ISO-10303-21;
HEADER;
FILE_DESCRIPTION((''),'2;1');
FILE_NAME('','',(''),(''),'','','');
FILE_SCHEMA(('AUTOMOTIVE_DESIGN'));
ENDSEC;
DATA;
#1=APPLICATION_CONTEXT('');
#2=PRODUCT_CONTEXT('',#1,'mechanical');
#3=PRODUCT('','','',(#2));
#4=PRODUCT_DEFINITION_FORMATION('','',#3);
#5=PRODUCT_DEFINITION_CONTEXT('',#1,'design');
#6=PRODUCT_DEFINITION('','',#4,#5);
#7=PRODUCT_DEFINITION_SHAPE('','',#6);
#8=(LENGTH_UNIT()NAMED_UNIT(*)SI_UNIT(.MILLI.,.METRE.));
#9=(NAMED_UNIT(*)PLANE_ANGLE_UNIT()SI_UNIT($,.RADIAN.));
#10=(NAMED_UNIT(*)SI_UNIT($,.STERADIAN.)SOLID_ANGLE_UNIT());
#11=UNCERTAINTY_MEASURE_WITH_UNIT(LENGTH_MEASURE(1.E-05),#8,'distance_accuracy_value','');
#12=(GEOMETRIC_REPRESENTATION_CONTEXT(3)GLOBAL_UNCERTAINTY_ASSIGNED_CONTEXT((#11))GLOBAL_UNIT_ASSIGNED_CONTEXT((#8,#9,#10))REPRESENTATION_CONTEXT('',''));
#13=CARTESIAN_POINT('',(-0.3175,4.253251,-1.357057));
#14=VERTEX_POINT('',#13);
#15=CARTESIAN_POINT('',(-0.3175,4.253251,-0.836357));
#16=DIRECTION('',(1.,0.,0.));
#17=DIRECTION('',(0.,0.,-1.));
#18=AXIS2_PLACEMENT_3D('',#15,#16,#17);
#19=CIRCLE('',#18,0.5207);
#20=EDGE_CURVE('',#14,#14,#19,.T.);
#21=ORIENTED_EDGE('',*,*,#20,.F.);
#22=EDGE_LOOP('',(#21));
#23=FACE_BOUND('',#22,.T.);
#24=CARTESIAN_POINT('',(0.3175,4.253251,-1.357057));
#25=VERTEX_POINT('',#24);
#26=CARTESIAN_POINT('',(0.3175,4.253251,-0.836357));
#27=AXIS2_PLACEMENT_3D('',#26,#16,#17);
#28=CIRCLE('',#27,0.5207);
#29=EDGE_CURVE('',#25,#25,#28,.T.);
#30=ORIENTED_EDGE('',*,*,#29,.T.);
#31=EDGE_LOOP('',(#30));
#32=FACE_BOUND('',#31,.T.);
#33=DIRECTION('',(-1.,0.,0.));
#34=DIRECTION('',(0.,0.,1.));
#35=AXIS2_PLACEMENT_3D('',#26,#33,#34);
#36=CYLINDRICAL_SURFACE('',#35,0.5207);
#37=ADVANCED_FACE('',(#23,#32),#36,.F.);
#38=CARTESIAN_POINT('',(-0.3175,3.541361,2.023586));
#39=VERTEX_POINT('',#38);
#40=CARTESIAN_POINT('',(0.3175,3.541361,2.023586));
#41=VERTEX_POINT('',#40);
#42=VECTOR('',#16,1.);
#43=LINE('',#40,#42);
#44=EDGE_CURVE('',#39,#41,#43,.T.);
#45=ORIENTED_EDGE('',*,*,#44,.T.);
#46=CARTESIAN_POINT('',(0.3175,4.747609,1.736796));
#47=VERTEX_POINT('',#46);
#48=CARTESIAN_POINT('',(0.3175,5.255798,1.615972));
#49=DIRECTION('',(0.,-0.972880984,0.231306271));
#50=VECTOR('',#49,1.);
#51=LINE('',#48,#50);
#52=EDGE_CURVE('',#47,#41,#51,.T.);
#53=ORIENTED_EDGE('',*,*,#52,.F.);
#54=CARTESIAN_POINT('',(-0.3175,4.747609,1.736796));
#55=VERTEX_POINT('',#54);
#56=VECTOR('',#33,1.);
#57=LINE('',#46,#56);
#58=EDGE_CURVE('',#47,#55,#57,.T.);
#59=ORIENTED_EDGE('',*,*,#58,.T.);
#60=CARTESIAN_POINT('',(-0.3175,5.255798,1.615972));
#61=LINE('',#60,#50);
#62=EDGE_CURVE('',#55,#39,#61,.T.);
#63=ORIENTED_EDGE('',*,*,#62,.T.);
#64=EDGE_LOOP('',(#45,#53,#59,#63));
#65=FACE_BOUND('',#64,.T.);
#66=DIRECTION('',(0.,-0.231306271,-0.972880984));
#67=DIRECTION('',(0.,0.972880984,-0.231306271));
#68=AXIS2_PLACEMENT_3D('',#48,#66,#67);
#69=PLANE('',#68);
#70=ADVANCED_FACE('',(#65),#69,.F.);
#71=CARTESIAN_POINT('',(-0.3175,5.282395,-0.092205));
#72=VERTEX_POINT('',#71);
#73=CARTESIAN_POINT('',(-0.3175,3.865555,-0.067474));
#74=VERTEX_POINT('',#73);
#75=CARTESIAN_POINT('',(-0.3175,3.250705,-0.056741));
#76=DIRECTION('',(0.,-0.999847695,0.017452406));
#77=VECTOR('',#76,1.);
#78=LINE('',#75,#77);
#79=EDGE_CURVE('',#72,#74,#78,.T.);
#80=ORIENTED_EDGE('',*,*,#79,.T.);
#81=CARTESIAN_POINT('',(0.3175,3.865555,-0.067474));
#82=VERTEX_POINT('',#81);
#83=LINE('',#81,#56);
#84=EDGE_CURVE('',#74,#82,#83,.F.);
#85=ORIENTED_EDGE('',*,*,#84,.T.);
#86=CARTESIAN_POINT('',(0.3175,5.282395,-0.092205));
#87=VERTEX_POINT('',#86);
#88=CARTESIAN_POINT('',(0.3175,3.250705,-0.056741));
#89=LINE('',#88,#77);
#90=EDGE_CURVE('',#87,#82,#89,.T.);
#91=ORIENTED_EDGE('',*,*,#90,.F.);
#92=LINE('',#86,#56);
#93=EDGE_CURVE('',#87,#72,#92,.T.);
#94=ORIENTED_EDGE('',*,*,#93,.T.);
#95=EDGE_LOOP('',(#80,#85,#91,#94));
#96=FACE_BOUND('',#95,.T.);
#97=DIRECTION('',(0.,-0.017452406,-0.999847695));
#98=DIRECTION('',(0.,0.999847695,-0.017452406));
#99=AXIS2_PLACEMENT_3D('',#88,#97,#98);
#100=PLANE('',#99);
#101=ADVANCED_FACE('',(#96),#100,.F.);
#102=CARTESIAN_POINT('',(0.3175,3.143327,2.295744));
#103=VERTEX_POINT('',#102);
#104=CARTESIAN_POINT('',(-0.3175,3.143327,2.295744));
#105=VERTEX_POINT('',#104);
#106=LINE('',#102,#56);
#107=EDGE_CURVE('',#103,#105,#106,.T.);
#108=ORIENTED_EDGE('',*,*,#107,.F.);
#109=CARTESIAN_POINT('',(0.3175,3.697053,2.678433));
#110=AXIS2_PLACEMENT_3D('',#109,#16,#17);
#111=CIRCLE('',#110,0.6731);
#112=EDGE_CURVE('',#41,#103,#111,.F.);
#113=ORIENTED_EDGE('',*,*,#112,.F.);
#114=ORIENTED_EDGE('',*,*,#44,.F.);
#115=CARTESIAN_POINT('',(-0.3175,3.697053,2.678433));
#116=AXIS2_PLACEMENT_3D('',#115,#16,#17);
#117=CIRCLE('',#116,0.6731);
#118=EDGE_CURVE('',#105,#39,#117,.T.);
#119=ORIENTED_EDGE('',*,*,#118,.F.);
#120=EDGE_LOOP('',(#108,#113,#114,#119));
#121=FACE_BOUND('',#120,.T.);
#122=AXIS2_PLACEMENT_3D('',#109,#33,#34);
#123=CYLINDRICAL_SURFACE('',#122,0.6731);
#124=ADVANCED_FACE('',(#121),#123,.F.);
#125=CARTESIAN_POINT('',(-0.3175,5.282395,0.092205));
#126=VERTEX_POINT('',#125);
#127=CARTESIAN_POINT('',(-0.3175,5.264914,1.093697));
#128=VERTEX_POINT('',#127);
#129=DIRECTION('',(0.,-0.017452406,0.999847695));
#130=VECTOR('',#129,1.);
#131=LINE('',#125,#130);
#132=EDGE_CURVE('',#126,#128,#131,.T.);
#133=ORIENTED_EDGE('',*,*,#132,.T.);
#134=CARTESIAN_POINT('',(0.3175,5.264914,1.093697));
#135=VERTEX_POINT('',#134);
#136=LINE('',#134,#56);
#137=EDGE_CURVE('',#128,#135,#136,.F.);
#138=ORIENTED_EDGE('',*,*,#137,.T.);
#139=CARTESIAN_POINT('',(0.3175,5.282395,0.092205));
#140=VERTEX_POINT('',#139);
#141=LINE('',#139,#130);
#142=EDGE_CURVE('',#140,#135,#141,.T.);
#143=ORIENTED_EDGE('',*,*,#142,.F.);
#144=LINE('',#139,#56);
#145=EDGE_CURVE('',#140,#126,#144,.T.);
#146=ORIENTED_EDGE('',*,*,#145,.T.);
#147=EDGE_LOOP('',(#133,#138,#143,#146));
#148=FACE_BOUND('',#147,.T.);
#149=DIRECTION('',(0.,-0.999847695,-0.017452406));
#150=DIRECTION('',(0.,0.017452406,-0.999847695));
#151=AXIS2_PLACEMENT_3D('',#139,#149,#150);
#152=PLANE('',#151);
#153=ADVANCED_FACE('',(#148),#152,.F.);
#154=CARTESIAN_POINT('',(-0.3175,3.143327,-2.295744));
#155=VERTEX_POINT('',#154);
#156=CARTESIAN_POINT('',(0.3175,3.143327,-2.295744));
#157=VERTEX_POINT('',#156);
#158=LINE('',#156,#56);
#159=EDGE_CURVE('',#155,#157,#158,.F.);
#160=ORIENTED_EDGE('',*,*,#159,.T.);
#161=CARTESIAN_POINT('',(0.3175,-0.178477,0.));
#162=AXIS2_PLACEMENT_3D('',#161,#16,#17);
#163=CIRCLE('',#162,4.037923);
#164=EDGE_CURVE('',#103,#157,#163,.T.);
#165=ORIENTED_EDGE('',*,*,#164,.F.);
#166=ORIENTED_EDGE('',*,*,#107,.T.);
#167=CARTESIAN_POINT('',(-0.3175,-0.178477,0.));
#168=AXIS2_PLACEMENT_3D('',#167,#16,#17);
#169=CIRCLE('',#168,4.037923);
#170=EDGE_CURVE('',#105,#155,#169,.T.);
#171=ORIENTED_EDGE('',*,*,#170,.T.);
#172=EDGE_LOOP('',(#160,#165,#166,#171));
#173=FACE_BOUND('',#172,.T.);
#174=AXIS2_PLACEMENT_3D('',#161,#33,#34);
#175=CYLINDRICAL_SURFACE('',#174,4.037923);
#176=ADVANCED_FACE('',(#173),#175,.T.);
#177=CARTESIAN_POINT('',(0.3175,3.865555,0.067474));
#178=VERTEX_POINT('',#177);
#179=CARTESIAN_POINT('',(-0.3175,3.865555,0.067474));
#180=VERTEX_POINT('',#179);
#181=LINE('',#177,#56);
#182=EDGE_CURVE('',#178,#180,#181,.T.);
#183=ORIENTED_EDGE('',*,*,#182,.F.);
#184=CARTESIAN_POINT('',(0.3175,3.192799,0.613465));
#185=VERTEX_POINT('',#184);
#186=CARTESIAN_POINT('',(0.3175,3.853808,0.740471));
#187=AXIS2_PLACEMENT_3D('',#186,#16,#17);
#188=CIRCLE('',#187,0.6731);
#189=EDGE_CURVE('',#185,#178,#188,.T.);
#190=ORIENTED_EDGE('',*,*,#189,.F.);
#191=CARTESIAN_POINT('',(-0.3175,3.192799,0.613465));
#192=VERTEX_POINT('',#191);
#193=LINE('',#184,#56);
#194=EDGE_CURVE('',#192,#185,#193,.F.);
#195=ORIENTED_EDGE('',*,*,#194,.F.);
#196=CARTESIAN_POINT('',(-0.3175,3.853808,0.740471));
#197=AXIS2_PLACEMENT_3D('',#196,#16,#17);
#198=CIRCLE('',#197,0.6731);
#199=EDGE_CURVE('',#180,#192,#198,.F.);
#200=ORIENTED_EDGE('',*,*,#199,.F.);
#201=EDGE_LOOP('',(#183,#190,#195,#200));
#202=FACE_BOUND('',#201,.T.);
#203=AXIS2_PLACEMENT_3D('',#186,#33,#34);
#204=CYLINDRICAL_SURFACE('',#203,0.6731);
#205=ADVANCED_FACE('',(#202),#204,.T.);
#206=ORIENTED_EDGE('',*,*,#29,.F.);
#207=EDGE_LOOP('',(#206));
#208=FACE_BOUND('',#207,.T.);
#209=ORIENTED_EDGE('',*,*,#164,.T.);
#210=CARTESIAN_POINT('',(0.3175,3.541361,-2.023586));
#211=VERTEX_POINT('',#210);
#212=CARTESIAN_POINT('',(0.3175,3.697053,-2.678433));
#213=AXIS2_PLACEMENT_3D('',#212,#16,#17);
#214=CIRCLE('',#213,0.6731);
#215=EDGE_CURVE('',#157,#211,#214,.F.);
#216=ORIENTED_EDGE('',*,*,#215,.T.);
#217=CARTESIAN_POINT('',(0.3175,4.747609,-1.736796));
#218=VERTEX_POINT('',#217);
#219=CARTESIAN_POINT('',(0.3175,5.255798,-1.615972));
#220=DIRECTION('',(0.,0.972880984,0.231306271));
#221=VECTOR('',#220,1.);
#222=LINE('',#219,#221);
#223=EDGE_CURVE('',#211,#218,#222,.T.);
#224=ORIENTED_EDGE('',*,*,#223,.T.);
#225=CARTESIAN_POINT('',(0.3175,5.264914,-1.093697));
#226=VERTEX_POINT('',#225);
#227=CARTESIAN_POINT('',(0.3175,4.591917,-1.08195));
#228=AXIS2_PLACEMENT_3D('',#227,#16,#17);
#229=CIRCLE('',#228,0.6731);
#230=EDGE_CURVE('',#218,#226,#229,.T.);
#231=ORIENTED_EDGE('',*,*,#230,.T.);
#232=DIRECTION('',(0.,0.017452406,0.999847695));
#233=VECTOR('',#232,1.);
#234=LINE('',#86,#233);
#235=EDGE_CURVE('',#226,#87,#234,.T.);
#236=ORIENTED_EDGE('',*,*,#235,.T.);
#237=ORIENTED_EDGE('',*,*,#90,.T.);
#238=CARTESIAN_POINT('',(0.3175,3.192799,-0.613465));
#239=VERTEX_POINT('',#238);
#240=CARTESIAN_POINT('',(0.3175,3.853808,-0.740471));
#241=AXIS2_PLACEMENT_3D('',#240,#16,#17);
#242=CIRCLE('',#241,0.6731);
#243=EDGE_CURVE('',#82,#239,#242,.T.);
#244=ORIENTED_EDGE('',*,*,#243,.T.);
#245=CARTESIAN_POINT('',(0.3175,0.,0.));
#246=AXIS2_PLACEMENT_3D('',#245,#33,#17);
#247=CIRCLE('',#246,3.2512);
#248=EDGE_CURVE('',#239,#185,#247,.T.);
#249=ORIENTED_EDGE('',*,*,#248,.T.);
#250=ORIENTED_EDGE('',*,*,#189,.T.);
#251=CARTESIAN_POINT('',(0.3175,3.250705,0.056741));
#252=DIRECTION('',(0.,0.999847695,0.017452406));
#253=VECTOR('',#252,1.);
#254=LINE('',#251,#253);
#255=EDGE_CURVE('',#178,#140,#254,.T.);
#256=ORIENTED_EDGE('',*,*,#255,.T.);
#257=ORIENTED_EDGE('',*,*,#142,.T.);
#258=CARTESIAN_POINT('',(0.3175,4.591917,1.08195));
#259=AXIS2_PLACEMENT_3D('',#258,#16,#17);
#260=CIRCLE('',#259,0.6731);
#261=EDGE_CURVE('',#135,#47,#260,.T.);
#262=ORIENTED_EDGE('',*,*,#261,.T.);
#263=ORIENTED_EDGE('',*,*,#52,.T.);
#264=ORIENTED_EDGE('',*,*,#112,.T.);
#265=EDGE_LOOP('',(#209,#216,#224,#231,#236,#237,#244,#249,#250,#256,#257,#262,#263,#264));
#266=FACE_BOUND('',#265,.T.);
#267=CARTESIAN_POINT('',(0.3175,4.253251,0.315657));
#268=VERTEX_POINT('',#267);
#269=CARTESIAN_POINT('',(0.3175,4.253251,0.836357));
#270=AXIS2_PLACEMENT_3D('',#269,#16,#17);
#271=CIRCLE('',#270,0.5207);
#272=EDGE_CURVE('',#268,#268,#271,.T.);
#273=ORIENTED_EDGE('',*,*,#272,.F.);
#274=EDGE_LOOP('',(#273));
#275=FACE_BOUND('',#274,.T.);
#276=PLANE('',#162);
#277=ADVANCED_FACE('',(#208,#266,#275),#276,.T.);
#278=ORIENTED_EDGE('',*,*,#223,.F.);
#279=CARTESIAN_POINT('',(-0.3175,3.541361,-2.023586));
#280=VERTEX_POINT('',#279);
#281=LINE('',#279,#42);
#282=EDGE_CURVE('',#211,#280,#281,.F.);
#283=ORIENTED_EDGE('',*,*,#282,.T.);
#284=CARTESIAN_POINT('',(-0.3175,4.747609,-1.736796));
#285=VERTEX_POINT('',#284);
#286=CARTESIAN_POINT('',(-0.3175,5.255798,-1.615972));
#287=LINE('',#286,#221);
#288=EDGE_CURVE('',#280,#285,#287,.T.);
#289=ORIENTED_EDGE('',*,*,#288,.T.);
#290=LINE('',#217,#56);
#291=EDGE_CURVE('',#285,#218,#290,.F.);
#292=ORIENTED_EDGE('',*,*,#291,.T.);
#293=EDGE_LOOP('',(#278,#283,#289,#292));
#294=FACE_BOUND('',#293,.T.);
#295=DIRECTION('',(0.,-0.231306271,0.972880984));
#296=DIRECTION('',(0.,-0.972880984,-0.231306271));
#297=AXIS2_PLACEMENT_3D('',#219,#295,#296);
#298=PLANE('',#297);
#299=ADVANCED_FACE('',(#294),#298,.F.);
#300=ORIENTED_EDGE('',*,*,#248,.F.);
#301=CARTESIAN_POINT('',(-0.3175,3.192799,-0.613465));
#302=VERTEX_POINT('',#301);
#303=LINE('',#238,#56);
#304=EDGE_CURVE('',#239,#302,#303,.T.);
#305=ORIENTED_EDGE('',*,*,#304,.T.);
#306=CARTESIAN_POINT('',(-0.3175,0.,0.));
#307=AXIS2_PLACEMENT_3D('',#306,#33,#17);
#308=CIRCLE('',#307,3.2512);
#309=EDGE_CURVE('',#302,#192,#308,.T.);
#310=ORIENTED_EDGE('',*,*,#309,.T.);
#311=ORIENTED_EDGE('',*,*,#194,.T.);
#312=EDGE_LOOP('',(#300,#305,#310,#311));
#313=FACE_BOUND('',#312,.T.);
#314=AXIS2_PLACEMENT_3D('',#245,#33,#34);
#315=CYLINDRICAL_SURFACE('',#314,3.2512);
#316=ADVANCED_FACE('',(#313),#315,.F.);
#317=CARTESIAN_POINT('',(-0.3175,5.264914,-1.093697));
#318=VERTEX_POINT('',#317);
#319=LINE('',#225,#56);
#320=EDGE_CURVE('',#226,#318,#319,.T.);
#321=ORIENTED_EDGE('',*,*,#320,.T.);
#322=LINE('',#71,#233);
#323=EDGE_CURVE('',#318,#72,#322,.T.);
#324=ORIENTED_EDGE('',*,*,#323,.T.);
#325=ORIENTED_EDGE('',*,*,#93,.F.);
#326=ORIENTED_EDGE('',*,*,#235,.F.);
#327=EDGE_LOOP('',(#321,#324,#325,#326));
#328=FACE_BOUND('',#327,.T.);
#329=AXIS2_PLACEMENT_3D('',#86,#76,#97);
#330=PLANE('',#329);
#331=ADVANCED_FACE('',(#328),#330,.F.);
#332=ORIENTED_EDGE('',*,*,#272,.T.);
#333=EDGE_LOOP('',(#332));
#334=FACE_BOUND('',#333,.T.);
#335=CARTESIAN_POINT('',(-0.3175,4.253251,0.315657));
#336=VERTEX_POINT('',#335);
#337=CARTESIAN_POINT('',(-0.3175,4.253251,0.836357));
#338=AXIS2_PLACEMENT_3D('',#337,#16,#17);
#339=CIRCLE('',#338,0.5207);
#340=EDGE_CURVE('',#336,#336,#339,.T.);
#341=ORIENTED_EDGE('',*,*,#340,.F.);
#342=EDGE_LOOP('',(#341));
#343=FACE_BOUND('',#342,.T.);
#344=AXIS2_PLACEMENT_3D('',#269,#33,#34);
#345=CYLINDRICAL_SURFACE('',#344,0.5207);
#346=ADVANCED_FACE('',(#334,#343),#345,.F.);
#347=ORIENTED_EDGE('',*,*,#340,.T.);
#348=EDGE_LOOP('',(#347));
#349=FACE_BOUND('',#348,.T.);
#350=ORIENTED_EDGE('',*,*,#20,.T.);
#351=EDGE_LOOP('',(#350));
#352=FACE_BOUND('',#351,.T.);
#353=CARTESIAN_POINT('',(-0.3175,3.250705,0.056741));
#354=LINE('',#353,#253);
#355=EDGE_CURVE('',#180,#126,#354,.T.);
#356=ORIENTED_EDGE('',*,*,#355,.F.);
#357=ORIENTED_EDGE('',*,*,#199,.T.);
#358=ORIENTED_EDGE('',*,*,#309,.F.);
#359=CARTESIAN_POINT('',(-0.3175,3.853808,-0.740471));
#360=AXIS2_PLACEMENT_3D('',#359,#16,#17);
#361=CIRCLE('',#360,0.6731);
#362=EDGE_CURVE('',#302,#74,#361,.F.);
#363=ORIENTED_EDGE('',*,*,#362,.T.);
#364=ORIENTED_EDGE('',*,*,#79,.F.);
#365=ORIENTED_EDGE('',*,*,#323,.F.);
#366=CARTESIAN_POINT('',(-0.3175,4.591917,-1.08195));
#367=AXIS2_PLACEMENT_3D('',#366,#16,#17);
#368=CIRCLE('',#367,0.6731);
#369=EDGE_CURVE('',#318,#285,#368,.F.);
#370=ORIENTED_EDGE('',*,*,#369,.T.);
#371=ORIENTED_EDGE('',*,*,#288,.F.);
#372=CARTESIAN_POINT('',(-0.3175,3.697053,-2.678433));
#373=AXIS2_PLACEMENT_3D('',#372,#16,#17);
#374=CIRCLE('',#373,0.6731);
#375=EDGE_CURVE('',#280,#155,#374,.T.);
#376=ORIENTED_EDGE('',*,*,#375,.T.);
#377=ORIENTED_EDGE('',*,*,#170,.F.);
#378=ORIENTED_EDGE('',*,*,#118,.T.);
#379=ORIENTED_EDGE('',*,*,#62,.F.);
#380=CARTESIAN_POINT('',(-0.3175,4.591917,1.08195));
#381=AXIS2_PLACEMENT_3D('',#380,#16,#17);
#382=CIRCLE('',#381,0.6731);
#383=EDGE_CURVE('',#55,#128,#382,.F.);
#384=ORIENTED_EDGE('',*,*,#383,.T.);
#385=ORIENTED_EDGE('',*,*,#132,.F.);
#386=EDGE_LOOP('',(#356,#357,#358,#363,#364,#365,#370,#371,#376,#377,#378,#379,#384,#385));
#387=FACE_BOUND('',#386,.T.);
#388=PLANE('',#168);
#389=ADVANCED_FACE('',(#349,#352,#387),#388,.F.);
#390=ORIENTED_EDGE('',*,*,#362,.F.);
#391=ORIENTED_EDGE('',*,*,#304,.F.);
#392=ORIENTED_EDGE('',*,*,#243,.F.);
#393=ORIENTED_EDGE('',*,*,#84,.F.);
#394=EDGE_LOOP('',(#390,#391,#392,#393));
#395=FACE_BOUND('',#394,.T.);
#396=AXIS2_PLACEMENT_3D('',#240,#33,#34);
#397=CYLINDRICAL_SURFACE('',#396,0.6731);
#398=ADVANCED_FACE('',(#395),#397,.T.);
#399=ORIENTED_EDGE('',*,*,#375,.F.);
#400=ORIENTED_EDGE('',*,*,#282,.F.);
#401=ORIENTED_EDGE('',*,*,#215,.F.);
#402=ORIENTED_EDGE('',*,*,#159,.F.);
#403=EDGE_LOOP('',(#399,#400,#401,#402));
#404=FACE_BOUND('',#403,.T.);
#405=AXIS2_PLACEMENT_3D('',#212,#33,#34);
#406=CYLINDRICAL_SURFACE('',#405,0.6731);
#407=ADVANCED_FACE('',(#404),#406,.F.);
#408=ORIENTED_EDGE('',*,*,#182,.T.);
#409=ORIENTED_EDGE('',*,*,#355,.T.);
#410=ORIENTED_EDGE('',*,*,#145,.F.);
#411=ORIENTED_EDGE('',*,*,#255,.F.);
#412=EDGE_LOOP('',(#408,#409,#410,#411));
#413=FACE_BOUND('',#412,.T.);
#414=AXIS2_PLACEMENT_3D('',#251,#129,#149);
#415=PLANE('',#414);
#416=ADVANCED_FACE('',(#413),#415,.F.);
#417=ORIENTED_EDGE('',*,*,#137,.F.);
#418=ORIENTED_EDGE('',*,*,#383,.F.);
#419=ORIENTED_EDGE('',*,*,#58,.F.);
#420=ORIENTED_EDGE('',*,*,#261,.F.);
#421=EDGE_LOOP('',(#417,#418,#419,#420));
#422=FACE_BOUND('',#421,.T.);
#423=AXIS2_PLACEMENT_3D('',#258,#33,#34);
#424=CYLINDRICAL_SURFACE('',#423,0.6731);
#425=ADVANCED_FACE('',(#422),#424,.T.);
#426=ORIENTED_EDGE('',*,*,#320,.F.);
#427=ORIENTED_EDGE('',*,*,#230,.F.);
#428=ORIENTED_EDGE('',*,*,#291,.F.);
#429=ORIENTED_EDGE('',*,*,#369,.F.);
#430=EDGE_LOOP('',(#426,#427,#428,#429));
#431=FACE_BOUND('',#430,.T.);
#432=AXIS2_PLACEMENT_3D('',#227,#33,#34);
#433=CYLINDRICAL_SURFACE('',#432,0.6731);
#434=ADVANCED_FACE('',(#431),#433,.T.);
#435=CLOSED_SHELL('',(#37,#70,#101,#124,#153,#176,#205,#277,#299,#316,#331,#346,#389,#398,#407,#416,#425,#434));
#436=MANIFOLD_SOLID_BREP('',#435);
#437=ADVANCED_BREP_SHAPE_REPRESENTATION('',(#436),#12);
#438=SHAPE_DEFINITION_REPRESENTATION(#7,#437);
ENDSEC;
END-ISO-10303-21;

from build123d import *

# Parameters (mm, degrees)
BOSS_EXTRUDE1_DEPTH      = 0.3175
BOSS_EXTRUDE1_DEPTH_BACK = 0.3175
SKETCH3_R                = 0.5207
FILLET1_R                = 0.6731


with BuildPart() as part:
    # Sketch3 → Boss-Extrude1 (new, two sides: drawn at the far end of the back side and taken through both)
    with BuildSketch(Plane(origin=(0, 0, 0), x_dir=(0, 0, -1), z_dir=(1, 0, 0)).offset(-BOSS_EXTRUDE1_DEPTH_BACK)):
        with BuildLine():
            Line((-1.615972441, 5.255797876), (-2.085986783, 3.278903716))
            ThreePointArc((-2.085986783, 3.278903716), (0, -4.2164), (2.085986783, 3.278903716))
            Line((2.085986783, 3.278903716), (1.615972441, 5.255797876))
            Line((1.615972441, 5.255797876), (0.092204554, 5.282395343))
            Line((0.092204554, 5.282395343), (0.056741264, 3.250704826))
            ThreePointArc((0.056741264, 3.250704826), (0, -3.2512), (-0.056741264, 3.250704826))
            Line((-0.056741264, 3.250704826), (-0.092204554, 5.282395343))
            Line((-0.092204554, 5.282395343), (-1.615972441, 5.255797876))
        make_face()
        with Locations((-0.836356852, 4.253251351)):
            Circle(SKETCH3_R, mode=Mode.SUBTRACT)
        with Locations((0.836356852, 4.253251351)):
            Circle(SKETCH3_R, mode=Mode.SUBTRACT)
    extrude(amount=BOSS_EXTRUDE1_DEPTH + BOSS_EXTRUDE1_DEPTH_BACK)

    # Fillet1
    fillet1_edges = [part.edges().sort_by_distance(p)[0] for p in [
        (0, 3.278903716, 2.085986783),
        (0, 5.255797876, 1.615972441),
        (0, 3.250704826, 0.056741264),
        (0, 3.250704826, -0.056741264),
        (0, 5.255797876, -1.615972441),
        (0, 3.278903716, -2.085986783),
    ]]
    fillet(fillet1_edges, radius=FILLET1_R)


solid = part.part
